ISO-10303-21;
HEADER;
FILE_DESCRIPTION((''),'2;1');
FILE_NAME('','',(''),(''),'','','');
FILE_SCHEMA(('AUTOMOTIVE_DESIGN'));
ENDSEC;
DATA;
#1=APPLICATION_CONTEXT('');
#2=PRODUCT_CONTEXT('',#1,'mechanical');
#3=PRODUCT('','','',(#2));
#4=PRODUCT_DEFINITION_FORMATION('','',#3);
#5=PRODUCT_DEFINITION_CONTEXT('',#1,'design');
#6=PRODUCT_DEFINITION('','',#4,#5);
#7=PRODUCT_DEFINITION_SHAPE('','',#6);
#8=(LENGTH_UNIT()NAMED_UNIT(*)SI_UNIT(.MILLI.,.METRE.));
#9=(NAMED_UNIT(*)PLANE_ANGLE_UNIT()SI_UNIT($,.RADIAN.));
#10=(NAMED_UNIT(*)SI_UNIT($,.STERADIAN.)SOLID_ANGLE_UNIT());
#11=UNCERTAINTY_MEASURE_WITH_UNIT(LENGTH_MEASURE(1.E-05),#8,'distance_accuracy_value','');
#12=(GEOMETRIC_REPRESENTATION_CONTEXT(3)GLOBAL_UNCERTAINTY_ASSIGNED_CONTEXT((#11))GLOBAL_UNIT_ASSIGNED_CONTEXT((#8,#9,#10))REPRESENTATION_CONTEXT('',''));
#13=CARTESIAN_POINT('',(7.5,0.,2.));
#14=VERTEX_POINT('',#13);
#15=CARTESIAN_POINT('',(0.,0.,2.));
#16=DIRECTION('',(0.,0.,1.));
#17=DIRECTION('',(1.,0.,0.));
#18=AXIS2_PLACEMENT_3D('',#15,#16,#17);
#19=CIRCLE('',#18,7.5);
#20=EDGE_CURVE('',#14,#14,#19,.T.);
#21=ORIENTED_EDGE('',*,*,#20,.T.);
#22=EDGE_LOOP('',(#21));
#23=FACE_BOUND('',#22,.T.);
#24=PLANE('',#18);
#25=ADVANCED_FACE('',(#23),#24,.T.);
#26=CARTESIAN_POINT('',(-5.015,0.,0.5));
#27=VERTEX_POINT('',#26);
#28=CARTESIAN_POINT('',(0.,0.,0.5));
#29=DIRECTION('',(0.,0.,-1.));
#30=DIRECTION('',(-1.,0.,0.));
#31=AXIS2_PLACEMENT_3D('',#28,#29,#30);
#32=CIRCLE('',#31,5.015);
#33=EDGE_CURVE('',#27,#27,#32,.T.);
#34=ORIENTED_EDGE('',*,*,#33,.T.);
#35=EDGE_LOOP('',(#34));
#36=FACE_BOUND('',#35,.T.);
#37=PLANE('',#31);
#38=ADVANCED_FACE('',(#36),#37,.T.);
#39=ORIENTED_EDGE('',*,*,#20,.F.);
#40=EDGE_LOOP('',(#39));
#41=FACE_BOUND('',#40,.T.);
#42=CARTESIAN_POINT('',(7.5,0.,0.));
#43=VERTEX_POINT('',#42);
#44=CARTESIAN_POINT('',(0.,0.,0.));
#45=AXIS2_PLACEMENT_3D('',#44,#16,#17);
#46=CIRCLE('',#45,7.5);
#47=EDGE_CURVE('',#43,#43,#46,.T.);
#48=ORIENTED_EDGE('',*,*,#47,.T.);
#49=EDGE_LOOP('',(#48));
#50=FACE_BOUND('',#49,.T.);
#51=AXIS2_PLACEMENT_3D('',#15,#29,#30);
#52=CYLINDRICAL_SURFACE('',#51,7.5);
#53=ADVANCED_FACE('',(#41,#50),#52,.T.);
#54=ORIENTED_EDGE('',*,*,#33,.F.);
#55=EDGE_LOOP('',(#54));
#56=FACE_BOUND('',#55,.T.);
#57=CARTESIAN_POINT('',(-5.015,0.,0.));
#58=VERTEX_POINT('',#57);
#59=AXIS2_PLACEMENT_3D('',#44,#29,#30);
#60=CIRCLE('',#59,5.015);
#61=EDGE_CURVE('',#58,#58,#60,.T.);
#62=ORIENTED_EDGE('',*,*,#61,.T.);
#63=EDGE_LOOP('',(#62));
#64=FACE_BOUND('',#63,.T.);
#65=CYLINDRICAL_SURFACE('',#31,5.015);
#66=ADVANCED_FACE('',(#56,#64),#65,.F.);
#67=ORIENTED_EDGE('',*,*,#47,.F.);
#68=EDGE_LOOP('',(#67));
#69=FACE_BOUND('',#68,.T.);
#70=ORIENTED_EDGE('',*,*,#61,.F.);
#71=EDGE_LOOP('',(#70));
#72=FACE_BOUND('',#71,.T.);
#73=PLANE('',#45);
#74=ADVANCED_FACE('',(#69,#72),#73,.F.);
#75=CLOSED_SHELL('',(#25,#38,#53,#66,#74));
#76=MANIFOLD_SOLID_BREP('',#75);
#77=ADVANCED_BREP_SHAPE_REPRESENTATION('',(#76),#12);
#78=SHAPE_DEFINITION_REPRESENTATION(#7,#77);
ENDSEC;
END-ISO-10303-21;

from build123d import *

# Parameters (mm, degrees)
CROQUIS1_R              = 7.5
SALIENTE_EXTRUIR1_DEPTH = 2
CROQUIS2_R              = 5.015
CORTAR_EXTRUIR1_DEPTH   = 0.5


with BuildPart() as part:
    # Croquis1 → Saliente-Extruir1 (new body)
    with BuildSketch(Plane.XY):
        Circle(CROQUIS1_R)
    extrude(amount=SALIENTE_EXTRUIR1_DEPTH)

    # Croquis2 → Cortar-Extruir1 (cut)
    with BuildSketch(Plane(origin=(0, 0, 0), x_dir=(-1, 0, 0), z_dir=(0, 0, -1))):
        Circle(CROQUIS2_R)
    extrude(amount=-CORTAR_EXTRUIR1_DEPTH, mode=Mode.SUBTRACT)


solid = part.part
